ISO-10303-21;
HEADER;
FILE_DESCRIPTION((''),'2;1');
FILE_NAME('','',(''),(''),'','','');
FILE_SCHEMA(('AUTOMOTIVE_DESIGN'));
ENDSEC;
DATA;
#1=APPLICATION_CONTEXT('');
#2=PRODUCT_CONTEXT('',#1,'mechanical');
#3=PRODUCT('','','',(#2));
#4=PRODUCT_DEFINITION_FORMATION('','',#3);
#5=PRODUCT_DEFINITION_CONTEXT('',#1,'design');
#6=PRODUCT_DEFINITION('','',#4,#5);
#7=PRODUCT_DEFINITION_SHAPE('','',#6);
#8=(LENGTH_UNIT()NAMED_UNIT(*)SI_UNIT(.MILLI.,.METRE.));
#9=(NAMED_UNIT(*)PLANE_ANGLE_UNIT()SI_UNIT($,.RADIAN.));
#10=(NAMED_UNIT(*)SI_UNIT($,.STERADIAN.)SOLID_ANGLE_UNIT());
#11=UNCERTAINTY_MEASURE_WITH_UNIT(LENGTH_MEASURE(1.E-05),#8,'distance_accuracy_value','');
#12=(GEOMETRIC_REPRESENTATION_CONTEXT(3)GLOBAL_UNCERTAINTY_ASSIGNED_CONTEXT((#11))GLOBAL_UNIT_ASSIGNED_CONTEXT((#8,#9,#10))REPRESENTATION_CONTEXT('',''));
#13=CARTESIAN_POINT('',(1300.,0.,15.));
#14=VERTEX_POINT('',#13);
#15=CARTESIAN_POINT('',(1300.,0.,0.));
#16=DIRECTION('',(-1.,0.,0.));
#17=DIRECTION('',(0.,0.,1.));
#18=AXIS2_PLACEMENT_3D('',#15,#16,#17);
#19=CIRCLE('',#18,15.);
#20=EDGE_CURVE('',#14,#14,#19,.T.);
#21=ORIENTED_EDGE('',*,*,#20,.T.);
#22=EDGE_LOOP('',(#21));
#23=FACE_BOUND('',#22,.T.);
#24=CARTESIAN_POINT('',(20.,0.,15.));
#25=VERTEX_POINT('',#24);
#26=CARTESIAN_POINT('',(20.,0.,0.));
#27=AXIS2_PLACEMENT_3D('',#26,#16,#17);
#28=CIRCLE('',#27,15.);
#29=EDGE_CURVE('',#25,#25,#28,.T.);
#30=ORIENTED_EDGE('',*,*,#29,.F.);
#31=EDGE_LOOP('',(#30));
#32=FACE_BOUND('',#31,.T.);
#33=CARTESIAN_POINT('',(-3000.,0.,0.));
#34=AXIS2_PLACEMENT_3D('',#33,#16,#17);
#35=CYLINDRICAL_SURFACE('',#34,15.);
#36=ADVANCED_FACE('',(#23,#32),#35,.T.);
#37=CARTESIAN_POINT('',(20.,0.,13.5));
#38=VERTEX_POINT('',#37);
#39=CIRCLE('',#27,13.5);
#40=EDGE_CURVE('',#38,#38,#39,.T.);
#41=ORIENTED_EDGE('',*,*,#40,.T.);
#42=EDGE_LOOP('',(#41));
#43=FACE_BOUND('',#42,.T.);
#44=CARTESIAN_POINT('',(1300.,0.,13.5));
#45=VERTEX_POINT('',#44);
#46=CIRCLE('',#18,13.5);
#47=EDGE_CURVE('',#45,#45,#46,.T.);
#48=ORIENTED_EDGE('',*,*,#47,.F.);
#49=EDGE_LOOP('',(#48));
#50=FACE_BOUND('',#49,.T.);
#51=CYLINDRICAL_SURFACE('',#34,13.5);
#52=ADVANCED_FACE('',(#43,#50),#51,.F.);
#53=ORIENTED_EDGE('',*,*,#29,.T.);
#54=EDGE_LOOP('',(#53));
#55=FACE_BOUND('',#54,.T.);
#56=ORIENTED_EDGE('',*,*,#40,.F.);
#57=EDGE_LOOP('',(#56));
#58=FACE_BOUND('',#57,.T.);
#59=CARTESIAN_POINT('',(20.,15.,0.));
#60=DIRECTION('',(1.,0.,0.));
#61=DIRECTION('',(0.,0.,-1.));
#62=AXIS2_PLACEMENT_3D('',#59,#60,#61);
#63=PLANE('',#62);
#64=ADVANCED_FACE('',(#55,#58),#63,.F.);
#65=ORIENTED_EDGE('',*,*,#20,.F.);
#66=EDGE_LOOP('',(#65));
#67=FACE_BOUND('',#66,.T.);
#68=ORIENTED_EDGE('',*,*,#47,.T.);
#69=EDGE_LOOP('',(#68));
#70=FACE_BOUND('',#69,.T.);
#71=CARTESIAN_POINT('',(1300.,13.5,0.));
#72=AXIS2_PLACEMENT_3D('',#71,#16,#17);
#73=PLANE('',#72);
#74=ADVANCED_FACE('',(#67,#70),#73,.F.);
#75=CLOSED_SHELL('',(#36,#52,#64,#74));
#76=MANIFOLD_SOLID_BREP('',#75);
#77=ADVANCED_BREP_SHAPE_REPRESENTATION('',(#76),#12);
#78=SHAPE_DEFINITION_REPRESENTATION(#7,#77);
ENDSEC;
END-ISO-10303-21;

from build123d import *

# Parameters (mm, degrees)
LEG_TUBE_SKETCH_W = 1280
LEG_TUBE_SKETCH_H = 1.5


with BuildPart() as part:
    # Leg_Tube Sketch → Leg_Tube (revolve)
    with BuildSketch(Plane.XY):
        with Locations((660, 14.25)):
            Rectangle(LEG_TUBE_SKETCH_W, LEG_TUBE_SKETCH_H)
    revolve(axis=Axis((-3000, 0, 0), (1, 0, 0)))


solid = part.part
